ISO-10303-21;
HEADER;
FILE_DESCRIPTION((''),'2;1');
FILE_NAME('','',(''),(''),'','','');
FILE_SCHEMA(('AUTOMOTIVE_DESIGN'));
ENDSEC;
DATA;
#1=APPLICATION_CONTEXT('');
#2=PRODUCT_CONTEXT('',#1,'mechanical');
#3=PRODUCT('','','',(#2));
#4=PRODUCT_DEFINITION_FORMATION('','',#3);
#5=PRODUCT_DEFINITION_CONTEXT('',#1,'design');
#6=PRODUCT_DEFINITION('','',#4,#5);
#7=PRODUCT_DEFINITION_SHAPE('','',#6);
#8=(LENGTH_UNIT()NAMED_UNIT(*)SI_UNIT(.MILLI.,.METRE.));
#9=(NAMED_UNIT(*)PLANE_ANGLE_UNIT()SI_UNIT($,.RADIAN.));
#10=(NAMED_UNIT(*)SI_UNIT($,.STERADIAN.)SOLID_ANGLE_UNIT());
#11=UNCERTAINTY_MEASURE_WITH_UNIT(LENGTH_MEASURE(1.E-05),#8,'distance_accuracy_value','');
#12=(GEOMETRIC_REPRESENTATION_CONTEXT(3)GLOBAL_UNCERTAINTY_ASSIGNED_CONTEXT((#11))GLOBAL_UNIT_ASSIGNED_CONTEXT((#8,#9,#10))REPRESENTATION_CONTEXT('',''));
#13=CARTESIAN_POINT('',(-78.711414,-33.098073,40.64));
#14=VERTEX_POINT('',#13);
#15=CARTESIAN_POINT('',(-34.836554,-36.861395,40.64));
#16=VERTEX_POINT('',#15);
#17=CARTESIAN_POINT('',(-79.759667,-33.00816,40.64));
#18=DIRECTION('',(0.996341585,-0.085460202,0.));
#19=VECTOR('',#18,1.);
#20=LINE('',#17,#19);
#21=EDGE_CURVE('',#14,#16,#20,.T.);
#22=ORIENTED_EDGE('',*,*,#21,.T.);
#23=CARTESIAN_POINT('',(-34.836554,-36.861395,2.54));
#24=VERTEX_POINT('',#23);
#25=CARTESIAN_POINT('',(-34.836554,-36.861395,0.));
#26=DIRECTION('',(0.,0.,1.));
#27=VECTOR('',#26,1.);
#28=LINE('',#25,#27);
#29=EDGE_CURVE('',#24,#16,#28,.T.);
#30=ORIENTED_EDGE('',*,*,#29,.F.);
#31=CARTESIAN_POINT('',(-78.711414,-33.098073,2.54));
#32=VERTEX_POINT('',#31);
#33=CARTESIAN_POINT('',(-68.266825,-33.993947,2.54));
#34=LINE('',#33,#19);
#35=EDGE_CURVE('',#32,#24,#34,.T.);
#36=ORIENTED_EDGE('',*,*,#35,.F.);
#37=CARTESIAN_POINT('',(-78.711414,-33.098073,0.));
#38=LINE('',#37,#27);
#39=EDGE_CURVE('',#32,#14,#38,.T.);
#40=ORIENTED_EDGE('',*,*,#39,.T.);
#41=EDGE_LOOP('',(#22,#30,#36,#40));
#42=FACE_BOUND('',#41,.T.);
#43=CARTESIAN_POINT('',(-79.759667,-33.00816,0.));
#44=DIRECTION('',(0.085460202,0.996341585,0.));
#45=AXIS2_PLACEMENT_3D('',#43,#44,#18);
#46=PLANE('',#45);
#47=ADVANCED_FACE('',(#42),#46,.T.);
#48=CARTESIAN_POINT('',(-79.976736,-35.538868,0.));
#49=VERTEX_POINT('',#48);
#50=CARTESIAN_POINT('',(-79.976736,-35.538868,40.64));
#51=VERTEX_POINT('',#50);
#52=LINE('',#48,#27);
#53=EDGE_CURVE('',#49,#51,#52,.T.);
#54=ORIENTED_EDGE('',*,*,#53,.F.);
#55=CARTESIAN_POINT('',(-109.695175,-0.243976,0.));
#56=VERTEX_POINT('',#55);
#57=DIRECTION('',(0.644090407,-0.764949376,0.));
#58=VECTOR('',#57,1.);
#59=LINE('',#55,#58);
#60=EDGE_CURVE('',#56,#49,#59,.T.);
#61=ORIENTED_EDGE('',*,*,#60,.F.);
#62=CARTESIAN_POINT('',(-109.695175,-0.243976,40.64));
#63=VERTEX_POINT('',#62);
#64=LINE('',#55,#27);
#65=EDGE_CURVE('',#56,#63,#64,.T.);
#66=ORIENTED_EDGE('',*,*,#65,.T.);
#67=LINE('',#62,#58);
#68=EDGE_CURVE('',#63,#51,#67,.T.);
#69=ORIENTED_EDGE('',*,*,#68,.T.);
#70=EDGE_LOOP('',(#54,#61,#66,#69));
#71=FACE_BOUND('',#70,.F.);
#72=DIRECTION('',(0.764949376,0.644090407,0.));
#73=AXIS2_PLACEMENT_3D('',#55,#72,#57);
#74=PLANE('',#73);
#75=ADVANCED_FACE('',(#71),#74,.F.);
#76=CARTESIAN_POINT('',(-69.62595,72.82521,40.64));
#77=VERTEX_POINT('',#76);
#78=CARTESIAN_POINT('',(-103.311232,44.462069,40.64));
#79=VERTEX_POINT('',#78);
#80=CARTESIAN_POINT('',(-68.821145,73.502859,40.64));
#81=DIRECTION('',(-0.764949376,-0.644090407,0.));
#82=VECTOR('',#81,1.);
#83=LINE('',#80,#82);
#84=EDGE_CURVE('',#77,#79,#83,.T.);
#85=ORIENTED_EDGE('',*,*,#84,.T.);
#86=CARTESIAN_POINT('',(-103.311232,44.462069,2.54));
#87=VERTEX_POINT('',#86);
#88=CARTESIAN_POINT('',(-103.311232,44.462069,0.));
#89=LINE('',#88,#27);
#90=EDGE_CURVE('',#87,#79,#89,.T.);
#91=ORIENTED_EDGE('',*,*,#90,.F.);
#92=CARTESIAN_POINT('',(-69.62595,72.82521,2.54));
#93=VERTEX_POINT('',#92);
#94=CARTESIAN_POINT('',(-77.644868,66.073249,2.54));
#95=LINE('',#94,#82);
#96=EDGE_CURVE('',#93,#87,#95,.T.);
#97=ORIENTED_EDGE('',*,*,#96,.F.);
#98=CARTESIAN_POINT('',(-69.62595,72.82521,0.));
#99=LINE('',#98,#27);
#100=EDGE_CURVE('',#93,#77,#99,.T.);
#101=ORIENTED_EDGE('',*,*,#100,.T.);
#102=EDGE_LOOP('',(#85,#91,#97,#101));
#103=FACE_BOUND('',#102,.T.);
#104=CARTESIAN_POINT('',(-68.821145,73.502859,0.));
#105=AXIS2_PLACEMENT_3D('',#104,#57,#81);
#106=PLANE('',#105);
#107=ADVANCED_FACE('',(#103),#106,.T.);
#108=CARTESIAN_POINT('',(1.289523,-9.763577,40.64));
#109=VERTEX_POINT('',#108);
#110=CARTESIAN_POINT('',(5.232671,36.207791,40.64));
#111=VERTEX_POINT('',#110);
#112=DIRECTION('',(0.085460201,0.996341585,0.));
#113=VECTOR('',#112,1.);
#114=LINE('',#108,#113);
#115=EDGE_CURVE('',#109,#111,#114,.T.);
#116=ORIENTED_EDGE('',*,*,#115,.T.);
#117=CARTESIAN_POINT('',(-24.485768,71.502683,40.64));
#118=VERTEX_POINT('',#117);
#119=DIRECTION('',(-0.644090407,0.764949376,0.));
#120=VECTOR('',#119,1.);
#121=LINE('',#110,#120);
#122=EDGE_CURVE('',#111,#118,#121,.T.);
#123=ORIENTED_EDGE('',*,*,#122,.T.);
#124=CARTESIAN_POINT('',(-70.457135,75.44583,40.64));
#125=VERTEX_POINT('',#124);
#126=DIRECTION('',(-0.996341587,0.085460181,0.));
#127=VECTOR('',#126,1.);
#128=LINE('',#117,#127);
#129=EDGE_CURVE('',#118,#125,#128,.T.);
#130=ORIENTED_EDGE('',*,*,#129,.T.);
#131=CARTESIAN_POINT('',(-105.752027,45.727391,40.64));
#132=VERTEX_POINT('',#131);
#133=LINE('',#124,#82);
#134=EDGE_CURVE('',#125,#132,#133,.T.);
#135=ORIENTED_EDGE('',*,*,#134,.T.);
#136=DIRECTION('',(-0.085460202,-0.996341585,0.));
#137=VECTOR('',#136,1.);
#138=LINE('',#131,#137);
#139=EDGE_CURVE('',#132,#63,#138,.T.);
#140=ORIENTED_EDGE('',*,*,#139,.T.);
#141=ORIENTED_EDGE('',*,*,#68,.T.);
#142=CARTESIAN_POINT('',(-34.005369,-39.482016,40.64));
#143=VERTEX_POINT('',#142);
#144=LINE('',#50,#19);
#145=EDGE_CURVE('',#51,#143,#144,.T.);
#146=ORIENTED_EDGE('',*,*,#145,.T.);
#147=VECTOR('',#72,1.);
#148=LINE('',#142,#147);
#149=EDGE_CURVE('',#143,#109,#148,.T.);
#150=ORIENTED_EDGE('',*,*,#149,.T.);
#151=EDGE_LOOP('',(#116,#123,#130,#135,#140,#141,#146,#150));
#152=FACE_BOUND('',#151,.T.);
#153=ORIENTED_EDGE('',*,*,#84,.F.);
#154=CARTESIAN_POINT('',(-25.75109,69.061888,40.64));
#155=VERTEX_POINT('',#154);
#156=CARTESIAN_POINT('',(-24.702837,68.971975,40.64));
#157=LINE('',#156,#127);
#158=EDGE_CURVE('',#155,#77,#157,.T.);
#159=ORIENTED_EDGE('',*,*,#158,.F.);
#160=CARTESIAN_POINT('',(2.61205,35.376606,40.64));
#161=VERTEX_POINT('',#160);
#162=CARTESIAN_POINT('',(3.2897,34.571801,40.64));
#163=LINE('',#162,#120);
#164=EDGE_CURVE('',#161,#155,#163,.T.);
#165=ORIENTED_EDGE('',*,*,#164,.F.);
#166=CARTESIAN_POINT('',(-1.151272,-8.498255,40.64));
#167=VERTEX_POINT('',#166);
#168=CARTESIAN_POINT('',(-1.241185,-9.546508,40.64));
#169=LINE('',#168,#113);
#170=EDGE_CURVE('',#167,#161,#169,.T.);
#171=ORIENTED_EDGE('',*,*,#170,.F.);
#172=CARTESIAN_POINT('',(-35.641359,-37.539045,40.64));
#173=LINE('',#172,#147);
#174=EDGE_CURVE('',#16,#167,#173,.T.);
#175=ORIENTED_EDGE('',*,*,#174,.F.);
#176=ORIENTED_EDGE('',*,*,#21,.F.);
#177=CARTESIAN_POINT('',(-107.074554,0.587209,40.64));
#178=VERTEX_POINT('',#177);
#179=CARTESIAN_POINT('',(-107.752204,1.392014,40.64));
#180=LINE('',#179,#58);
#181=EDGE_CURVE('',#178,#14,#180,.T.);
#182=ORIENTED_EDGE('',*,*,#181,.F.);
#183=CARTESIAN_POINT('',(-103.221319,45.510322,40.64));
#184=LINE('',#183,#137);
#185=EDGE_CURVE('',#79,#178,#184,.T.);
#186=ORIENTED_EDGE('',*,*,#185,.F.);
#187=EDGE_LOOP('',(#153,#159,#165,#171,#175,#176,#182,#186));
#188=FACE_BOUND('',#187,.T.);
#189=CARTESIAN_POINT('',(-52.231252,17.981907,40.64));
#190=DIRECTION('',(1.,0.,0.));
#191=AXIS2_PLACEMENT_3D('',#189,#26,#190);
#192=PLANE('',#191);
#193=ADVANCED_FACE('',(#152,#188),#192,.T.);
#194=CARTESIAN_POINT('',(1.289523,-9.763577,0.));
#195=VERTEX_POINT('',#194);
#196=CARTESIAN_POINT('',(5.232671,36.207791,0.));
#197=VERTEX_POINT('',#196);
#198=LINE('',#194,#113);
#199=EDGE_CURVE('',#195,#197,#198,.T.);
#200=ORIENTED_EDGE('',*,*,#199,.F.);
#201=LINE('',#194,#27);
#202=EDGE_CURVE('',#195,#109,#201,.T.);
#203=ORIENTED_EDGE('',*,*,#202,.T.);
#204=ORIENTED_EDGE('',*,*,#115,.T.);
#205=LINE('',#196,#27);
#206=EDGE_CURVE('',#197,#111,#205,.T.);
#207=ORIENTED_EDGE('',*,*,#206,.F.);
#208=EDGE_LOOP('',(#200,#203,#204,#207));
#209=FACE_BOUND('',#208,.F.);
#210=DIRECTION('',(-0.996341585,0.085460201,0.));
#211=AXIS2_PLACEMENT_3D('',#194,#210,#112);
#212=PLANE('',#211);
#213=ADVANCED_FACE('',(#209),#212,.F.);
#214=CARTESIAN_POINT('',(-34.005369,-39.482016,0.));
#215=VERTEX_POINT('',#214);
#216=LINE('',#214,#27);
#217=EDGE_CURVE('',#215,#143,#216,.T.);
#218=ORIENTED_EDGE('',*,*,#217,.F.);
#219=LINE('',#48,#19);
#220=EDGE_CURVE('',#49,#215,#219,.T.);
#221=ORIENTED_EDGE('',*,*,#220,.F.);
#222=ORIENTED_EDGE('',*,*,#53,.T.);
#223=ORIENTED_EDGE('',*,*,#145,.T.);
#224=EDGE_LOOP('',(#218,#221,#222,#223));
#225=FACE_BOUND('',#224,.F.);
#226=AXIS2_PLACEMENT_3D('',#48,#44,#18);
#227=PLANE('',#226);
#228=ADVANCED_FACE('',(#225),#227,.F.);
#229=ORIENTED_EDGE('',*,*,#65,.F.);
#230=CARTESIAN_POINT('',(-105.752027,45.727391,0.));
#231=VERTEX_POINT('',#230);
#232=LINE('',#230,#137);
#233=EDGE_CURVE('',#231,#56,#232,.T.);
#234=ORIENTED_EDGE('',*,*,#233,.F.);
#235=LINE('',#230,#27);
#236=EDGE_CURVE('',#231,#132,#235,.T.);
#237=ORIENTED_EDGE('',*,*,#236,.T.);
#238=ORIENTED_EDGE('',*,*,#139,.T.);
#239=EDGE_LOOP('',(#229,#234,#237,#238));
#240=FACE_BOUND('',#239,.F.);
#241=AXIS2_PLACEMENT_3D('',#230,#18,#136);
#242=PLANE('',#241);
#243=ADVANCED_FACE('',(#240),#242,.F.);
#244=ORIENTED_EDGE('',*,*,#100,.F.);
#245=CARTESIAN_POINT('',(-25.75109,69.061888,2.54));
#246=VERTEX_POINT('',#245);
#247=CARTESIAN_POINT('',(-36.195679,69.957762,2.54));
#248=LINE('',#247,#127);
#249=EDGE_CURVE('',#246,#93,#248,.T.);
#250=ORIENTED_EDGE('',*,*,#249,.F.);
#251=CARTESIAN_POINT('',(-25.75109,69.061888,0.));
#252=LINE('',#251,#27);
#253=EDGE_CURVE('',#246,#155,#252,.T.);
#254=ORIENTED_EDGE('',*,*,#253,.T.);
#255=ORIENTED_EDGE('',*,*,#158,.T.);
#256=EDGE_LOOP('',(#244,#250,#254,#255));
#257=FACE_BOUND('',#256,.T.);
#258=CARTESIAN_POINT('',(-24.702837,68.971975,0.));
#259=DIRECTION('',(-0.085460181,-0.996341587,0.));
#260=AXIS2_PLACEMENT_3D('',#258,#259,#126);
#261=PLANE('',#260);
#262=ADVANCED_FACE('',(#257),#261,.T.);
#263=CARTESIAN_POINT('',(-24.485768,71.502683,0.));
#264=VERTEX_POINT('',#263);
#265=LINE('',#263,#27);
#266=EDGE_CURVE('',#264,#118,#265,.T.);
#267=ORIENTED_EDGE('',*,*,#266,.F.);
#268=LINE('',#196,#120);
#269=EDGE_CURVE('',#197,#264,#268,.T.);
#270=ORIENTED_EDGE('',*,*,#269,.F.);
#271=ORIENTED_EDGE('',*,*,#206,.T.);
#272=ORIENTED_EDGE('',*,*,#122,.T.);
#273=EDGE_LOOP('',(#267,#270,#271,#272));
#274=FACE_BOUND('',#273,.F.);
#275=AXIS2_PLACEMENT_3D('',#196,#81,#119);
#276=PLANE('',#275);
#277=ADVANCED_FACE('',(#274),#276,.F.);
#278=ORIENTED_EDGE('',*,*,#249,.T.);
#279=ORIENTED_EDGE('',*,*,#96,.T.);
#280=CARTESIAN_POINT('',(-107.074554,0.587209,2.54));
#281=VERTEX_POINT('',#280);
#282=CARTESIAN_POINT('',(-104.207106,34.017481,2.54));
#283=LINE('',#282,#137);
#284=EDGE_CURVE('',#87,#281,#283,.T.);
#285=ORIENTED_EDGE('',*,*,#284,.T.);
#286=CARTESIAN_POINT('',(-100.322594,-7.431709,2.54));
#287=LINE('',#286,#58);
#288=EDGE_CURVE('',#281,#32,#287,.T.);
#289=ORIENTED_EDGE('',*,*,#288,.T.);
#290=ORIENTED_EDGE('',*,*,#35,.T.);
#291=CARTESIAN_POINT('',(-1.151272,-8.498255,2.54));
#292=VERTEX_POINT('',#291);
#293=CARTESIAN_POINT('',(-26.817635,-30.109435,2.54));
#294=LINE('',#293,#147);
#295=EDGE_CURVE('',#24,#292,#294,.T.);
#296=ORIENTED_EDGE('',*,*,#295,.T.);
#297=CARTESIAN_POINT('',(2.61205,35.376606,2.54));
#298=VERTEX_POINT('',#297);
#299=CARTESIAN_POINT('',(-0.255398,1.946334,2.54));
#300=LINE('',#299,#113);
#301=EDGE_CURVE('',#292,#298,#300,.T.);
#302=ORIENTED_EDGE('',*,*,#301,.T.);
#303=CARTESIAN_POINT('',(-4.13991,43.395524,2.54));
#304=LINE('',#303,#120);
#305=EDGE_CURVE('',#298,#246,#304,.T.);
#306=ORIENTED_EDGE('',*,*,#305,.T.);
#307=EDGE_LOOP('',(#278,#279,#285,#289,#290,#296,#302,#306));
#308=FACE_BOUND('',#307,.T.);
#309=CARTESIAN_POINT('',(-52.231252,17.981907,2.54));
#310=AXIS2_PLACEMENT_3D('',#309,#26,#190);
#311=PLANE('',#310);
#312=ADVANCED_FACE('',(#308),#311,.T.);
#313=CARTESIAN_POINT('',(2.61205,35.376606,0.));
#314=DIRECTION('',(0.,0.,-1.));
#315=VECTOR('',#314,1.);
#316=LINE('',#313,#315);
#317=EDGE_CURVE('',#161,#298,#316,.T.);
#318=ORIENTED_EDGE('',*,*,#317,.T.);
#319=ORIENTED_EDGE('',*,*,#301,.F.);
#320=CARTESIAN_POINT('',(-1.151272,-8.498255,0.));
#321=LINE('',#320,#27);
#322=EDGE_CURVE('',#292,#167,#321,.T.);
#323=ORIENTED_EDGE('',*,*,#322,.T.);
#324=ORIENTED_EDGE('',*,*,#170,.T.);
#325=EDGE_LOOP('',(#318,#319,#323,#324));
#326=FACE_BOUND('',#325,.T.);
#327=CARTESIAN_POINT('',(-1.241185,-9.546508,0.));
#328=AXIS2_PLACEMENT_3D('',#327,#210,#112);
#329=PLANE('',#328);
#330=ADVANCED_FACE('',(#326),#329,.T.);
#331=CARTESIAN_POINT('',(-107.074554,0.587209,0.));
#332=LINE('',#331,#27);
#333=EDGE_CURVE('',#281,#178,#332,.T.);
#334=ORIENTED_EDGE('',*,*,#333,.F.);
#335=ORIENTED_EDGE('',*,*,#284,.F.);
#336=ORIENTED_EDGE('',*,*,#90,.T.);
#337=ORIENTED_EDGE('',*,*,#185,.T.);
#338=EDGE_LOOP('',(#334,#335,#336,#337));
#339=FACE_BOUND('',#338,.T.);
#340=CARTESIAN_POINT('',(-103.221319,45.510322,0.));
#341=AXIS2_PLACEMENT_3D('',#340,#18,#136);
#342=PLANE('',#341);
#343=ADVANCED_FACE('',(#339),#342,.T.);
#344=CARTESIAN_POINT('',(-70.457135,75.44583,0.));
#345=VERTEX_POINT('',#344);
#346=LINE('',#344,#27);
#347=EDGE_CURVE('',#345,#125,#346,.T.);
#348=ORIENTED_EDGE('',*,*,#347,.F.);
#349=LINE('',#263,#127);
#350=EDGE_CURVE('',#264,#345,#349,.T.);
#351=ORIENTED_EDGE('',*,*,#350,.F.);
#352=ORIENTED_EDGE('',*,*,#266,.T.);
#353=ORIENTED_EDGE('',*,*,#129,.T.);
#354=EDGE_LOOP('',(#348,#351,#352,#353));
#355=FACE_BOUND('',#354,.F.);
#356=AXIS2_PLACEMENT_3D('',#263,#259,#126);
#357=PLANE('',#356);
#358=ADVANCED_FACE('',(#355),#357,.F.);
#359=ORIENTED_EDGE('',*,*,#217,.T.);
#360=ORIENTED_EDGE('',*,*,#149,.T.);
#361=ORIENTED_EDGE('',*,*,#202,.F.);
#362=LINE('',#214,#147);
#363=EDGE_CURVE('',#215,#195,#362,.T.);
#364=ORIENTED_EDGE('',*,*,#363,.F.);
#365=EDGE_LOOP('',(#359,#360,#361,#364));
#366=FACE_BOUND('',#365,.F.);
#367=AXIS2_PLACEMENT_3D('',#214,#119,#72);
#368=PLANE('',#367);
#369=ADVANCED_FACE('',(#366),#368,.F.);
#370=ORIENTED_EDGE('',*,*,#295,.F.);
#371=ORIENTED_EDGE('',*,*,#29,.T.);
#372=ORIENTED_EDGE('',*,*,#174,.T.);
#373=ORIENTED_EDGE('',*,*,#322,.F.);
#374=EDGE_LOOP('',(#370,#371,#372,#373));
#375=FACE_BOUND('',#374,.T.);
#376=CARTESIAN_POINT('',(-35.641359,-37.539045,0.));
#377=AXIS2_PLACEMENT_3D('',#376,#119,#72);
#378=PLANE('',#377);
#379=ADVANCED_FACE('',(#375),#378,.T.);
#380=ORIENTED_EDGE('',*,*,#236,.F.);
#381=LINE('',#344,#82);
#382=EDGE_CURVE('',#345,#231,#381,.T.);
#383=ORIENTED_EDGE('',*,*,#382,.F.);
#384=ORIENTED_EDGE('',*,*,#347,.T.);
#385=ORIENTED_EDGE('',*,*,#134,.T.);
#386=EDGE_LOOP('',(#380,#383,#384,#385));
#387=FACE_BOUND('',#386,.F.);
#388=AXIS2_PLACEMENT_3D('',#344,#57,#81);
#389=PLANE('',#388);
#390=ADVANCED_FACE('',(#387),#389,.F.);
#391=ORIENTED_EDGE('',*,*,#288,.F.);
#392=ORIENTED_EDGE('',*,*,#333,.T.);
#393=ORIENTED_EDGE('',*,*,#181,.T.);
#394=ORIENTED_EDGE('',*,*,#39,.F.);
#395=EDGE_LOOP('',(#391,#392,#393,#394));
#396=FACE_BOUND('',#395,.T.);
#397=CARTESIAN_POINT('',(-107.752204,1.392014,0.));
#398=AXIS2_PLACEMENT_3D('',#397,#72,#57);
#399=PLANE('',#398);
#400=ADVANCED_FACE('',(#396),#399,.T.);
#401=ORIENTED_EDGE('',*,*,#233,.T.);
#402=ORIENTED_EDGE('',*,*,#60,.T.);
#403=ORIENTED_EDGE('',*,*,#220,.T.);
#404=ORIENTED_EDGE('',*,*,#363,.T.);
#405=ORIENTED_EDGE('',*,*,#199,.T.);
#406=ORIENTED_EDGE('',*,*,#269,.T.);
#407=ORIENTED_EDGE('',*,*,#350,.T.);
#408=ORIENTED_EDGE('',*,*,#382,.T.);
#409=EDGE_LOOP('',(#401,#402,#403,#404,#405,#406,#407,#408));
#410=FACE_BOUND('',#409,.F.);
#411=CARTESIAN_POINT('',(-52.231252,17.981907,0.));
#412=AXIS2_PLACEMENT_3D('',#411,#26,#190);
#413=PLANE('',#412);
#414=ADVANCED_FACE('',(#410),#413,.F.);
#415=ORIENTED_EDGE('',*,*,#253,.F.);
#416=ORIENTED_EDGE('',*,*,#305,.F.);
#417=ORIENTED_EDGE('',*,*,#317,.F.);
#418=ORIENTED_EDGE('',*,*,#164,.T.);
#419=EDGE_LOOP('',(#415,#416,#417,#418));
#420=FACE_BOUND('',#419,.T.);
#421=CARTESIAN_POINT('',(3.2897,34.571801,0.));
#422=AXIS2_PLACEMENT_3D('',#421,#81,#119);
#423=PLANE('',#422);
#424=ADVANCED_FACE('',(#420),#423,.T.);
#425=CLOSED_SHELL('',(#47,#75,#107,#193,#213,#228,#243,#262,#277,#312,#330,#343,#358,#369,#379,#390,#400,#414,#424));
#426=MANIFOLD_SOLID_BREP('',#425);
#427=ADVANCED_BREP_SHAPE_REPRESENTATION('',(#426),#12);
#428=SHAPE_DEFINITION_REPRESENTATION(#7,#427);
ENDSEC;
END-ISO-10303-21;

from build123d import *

# Parameters (mm, degrees)
F1_DEPTH = 40.64
F2_T     = -2.54


with BuildPart() as f1:
    # F0 (on Top) → F1 (new body)
    with BuildSketch(Plane.XY):
        Polygon((5.232671, 36.207791), (-24.485768, 71.502683), (-70.457135, 75.44583), (-105.752027, 45.727391), (-109.695175, -0.243976), (-79.976736, -35.538868), (-34.005369, -39.482016), (1.289523, -9.763577), align=None)
    extrude(amount=F1_DEPTH)

    # F2
    f2_openings = [f1.faces().sort_by_distance(p)[0] for p in [
        (-52.231252, 17.981907, 40.64),
    ]]
    offset(amount=F2_T, openings=f2_openings)


solid = f1.part
